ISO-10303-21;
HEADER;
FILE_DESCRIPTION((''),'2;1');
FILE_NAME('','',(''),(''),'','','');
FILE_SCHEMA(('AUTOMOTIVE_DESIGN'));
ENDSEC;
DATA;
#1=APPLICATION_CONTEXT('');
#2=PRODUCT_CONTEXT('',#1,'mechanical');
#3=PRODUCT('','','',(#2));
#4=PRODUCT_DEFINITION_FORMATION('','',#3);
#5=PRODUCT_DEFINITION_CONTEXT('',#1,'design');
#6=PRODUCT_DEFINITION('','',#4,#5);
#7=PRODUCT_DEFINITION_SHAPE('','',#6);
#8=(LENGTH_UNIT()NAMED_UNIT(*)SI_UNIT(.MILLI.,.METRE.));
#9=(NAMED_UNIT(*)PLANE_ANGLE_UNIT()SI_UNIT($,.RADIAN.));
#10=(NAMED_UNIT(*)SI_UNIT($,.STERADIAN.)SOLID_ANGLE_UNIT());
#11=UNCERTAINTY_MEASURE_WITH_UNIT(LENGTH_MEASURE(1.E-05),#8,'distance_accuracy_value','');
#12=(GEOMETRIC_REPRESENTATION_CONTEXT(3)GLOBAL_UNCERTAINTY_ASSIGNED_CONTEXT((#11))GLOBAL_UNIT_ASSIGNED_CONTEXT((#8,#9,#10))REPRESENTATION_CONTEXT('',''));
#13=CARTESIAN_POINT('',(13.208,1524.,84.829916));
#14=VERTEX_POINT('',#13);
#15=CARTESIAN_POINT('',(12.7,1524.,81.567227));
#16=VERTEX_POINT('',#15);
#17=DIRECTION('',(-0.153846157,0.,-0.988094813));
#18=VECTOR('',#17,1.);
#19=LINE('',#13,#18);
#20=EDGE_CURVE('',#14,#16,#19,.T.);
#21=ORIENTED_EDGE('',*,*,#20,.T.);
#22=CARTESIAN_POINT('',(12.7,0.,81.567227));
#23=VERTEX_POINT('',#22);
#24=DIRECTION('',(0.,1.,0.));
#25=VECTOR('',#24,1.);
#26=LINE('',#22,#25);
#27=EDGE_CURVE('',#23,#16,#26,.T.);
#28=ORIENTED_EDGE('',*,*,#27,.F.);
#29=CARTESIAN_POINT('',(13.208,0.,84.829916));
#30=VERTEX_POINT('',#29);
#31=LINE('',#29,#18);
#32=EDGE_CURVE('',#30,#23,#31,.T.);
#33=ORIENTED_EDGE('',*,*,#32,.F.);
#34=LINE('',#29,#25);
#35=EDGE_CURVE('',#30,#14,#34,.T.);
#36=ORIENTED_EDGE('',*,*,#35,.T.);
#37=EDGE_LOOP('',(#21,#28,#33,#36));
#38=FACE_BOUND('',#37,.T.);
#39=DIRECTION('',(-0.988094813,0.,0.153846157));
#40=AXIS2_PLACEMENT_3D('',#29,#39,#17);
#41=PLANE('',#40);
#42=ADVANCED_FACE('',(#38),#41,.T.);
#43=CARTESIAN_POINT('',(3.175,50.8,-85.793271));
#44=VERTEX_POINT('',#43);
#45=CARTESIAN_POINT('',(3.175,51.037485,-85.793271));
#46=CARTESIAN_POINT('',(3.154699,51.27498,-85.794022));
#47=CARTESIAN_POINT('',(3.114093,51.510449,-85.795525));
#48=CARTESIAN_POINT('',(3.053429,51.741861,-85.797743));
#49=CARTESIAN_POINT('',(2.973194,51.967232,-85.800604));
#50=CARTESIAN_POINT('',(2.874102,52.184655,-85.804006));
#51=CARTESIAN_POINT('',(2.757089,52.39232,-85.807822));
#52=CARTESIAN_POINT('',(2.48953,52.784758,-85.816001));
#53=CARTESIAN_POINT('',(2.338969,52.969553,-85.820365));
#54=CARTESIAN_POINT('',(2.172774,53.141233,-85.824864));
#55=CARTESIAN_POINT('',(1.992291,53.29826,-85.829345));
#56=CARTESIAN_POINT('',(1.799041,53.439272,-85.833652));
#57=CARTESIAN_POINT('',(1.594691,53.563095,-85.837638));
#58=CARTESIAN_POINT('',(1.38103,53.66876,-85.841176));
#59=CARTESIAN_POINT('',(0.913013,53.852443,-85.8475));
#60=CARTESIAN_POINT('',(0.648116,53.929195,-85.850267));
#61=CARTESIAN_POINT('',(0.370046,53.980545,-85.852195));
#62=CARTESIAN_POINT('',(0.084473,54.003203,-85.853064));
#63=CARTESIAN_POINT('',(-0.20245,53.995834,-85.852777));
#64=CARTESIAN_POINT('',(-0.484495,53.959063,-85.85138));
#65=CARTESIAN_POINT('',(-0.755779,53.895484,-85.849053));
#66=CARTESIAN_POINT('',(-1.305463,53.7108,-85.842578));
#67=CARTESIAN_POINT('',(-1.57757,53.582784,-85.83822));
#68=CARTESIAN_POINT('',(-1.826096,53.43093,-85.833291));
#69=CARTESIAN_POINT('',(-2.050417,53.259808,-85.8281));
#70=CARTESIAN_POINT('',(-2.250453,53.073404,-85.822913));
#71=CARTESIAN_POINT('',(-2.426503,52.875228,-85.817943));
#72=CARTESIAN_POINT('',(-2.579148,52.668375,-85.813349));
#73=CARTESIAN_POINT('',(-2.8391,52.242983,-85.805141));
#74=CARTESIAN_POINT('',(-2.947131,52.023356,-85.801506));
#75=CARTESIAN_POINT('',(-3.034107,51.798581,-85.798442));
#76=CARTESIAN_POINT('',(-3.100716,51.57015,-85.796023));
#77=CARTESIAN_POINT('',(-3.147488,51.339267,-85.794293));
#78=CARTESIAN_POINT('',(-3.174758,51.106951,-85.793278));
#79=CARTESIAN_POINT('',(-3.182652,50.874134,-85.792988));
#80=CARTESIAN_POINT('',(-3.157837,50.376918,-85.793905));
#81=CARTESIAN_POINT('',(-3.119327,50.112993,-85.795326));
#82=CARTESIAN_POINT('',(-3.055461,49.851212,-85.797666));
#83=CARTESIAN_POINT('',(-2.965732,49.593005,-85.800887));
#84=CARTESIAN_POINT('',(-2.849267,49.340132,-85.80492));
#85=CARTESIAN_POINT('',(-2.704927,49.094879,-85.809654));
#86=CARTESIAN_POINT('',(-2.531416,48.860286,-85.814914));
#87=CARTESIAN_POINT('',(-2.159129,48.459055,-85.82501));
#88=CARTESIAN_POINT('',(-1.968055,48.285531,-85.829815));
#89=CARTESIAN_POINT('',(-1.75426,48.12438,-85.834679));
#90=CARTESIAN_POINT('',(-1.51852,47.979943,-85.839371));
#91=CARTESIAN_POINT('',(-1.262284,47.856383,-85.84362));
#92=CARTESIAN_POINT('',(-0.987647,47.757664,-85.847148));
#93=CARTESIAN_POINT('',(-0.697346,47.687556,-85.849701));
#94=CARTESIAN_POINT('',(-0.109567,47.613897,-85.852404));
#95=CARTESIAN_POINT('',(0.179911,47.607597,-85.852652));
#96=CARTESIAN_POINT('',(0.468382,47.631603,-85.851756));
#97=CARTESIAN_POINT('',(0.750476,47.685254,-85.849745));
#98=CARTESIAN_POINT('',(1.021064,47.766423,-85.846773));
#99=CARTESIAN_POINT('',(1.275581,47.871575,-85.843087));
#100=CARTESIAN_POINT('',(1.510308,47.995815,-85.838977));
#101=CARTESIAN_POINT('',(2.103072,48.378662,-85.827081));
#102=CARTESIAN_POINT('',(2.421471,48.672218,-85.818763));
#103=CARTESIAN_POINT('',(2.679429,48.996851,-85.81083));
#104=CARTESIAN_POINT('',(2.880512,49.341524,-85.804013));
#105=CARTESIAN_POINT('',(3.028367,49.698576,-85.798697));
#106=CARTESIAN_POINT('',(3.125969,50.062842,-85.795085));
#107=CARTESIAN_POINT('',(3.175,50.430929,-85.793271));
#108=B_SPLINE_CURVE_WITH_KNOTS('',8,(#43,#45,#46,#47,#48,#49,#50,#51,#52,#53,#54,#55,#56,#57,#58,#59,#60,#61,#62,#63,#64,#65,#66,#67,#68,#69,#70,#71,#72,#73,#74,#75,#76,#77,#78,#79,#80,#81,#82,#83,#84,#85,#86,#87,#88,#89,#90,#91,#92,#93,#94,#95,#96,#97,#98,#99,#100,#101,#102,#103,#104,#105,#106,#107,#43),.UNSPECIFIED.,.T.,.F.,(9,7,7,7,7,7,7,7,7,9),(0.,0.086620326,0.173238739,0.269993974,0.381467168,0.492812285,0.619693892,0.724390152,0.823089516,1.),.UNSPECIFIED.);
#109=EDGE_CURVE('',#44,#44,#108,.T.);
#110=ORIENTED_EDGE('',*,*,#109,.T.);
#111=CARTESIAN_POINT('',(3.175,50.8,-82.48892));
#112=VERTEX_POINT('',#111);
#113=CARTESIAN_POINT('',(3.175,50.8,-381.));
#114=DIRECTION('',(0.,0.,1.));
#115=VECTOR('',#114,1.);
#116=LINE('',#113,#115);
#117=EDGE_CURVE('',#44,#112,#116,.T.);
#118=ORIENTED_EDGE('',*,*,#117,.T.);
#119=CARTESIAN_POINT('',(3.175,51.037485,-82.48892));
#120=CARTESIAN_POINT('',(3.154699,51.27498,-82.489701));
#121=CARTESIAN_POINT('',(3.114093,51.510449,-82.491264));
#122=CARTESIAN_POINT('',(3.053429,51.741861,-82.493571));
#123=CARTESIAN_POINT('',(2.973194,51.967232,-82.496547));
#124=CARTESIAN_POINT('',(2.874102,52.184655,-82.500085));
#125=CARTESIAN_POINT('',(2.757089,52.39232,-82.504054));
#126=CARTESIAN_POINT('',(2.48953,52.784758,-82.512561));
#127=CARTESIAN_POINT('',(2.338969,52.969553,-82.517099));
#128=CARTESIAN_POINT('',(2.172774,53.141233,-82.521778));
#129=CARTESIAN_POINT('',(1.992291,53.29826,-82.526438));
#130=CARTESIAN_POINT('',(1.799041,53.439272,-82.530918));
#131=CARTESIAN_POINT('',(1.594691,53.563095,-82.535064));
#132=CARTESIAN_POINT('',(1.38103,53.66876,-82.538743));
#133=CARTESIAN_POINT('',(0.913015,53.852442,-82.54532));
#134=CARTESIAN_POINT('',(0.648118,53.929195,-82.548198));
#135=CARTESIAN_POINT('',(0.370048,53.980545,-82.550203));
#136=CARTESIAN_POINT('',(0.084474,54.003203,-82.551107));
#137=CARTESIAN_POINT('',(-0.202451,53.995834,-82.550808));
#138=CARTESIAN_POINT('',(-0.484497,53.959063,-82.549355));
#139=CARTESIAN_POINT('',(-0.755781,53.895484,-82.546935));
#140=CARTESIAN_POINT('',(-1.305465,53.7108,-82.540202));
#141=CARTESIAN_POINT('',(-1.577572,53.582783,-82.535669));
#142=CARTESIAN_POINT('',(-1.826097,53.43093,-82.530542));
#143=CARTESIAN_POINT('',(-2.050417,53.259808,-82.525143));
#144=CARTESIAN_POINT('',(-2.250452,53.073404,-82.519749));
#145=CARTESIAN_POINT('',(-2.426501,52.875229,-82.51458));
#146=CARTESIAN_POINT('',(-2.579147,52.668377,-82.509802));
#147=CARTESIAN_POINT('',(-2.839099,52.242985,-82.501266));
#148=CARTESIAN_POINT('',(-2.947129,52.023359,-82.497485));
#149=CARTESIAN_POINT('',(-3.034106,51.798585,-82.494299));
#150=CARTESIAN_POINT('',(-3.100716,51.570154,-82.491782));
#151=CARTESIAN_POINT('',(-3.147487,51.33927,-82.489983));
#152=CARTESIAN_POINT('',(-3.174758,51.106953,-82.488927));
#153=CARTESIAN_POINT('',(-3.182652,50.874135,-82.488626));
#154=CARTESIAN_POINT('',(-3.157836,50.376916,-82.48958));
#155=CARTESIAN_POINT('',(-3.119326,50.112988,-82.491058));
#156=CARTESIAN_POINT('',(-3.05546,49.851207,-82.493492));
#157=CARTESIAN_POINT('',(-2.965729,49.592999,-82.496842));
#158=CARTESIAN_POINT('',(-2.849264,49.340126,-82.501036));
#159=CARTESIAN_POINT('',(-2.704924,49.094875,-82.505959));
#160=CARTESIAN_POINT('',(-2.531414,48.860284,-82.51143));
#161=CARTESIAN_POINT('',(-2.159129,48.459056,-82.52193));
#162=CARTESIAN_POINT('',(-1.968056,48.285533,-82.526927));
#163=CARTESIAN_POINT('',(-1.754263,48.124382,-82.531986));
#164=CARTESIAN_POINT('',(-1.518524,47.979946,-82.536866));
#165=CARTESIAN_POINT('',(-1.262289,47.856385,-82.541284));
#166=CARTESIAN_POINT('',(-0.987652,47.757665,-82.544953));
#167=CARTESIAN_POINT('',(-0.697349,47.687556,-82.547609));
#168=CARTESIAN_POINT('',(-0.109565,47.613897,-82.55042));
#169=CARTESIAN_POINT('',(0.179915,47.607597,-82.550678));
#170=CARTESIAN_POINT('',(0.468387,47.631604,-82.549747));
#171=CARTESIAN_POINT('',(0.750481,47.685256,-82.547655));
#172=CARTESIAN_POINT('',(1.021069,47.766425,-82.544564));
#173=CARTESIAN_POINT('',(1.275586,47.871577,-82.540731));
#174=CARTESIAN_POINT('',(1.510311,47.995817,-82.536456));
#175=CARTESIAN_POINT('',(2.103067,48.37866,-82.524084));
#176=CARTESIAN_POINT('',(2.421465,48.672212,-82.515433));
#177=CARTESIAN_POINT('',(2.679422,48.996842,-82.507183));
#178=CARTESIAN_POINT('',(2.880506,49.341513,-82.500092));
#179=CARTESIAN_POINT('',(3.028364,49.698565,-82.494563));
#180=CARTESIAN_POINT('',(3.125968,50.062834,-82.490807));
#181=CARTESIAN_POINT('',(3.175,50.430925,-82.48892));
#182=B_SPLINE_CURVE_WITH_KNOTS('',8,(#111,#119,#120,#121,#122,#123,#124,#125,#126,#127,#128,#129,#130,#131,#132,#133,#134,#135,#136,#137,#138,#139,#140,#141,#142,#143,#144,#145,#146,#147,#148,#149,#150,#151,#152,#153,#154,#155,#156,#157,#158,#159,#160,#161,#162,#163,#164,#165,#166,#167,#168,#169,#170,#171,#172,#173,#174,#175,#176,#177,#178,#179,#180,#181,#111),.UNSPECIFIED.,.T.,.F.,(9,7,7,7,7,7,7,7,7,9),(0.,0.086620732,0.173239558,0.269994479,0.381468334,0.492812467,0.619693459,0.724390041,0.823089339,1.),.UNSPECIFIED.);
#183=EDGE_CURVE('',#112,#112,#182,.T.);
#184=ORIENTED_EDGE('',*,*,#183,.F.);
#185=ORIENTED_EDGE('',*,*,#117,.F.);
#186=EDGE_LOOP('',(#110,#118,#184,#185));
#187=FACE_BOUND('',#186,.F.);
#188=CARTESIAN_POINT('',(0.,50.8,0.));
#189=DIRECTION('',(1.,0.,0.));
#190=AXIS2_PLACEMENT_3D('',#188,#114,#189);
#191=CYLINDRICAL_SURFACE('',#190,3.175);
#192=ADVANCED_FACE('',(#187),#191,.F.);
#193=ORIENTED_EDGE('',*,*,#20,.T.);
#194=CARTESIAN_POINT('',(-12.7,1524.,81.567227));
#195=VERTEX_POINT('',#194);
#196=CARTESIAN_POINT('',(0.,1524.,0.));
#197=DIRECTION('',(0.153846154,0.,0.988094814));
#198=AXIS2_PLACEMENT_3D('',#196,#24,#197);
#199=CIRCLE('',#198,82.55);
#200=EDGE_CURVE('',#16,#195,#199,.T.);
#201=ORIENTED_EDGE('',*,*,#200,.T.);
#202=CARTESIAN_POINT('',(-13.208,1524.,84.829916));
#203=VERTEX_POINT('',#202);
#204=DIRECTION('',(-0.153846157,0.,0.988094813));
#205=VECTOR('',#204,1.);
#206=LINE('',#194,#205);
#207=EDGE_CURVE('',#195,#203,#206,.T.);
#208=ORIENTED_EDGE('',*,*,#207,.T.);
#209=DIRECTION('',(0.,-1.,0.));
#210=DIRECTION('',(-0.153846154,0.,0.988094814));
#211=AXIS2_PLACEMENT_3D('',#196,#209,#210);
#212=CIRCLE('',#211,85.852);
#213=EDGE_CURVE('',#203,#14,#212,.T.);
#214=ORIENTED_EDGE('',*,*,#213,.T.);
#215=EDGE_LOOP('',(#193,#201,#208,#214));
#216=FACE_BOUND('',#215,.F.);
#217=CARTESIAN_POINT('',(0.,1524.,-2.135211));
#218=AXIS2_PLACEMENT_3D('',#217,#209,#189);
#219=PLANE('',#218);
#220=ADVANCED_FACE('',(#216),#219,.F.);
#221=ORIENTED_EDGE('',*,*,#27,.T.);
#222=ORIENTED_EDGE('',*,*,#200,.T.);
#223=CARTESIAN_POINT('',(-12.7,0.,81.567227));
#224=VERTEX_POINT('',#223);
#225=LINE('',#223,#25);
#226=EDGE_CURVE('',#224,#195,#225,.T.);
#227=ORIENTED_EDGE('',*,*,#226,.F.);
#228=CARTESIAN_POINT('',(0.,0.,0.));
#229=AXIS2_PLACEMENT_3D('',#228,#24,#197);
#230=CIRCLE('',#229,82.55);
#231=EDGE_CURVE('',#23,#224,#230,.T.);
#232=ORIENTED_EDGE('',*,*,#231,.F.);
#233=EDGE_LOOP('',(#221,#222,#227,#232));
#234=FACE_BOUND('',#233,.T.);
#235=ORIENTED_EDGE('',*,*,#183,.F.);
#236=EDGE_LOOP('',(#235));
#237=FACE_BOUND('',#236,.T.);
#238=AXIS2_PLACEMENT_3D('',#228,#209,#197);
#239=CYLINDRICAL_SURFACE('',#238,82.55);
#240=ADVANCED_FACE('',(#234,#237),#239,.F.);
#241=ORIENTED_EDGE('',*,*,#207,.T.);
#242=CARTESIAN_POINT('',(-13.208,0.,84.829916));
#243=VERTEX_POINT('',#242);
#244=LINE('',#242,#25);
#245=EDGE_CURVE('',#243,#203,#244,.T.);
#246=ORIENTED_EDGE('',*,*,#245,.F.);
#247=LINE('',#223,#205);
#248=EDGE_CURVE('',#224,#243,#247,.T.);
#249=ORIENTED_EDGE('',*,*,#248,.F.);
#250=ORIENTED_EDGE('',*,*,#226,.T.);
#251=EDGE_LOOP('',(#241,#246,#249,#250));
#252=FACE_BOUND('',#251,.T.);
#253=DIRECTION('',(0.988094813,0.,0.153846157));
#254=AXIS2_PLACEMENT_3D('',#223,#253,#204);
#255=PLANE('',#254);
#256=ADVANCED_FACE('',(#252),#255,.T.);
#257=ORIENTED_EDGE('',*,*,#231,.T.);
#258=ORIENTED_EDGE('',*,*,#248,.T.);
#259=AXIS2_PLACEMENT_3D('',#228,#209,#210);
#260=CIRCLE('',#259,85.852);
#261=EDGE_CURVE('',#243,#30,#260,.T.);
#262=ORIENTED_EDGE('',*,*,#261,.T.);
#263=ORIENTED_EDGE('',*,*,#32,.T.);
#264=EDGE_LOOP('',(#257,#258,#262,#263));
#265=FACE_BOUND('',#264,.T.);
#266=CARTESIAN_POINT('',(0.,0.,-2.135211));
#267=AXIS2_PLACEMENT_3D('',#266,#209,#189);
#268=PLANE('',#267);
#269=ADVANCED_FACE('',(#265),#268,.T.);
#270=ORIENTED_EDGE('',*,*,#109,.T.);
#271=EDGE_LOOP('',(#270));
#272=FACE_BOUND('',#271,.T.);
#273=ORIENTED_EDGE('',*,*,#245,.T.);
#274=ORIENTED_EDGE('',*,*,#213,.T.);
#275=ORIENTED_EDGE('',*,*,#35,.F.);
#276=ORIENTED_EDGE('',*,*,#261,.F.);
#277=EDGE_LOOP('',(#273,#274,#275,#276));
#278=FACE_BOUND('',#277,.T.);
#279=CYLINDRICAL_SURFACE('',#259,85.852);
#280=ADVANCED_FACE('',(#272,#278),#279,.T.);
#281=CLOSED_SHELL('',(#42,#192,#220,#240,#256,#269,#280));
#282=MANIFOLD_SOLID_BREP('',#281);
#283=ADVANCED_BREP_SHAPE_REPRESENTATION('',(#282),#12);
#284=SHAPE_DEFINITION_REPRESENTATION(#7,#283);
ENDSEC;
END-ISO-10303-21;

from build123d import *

# Parameters (mm, degrees)
F1_DEPTH = 1524
F2_R     = 3.175
F3_DEPTH = 381


with BuildPart() as f1:
    # F0 (on Front) → F1 (new body)
    with BuildSketch(Plane.XZ):
        with BuildLine():
            Line((-12.7, 81.567227), (-13.208, 84.829916))
            ThreePointArc((-13.208, 84.829916), (0, -85.852), (13.208, 84.829916))
            Line((13.208, 84.829916), (12.7, 81.567227))
            ThreePointArc((12.7, 81.567227), (0, -82.55), (-12.7, 81.567227))
        make_face()
    extrude(amount=-F1_DEPTH)

    # F2 (on Top) → F3 (cut, symmetric)
    with BuildSketch(Plane.XY):
        with Locations((0, 50.8)):
            Circle(F2_R)
    extrude(amount=F3_DEPTH, both=True, mode=Mode.SUBTRACT)


solid = f1.part
